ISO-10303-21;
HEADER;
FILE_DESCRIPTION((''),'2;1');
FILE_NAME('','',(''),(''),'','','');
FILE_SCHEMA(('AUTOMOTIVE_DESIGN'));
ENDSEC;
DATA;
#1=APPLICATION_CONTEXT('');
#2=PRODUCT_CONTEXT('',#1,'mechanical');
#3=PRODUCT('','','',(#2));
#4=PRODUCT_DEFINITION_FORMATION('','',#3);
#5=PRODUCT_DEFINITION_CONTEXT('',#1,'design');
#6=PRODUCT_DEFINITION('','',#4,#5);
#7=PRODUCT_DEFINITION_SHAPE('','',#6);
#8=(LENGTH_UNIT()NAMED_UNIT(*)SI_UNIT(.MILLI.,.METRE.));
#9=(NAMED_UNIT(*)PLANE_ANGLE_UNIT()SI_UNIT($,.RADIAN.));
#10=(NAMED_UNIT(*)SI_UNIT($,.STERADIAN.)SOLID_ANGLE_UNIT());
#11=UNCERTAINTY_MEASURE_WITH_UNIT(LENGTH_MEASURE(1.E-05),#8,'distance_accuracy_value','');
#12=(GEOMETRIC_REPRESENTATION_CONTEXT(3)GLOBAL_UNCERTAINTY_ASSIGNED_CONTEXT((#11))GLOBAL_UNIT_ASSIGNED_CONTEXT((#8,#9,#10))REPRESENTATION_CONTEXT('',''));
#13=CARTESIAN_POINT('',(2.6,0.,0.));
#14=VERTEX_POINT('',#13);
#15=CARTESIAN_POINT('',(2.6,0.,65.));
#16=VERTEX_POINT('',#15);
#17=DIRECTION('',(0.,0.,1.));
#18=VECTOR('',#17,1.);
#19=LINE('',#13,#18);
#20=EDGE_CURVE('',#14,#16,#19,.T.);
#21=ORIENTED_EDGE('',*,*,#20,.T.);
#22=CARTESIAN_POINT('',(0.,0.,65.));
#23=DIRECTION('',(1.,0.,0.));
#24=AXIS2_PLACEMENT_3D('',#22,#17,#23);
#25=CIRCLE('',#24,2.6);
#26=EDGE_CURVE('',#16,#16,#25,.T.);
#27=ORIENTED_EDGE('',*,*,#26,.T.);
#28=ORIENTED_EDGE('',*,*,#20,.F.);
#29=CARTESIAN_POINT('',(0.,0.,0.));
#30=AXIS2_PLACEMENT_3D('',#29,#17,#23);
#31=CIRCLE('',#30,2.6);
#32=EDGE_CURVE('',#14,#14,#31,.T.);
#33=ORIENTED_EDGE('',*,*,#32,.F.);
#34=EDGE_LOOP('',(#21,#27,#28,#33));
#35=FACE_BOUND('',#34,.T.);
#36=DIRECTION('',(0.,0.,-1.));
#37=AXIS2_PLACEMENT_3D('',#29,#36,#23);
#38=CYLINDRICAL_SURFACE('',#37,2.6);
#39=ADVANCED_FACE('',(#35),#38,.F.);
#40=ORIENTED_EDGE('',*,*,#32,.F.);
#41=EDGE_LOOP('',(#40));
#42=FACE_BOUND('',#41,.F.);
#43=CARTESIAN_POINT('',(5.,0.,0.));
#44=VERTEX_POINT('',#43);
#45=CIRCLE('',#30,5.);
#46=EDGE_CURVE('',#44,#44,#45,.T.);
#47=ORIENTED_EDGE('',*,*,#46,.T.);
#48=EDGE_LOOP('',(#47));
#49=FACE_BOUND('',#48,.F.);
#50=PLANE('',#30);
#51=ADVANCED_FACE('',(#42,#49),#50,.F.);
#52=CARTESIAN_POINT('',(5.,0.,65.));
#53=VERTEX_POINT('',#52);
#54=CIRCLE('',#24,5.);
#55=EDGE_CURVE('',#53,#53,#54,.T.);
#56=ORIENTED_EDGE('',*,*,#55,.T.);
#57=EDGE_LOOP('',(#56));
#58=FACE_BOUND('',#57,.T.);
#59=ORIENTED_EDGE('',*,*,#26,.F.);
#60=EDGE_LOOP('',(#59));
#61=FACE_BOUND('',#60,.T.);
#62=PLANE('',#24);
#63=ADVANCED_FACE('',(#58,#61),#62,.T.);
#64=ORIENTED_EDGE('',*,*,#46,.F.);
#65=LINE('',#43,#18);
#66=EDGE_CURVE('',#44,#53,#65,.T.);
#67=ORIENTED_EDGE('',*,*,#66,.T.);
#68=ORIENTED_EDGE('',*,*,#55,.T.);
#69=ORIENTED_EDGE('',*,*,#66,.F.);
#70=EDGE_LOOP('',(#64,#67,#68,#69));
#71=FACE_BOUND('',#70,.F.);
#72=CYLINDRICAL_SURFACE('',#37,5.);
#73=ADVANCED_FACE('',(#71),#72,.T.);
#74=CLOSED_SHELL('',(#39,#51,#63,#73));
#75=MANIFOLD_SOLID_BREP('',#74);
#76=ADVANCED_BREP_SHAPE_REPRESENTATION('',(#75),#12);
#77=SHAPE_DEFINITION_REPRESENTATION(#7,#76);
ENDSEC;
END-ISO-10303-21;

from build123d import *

# Parameters (mm, degrees)
SKETCH_R   = 5
SKETCH_R_2 = 2.6
PAD_DEPTH  = 65


with BuildPart() as part:
    # Sketch → Pad (new body)
    with BuildSketch(Plane.XY):
        Circle(SKETCH_R)
        Circle(SKETCH_R_2, mode=Mode.SUBTRACT)
    extrude(amount=PAD_DEPTH)


solid = part.part
